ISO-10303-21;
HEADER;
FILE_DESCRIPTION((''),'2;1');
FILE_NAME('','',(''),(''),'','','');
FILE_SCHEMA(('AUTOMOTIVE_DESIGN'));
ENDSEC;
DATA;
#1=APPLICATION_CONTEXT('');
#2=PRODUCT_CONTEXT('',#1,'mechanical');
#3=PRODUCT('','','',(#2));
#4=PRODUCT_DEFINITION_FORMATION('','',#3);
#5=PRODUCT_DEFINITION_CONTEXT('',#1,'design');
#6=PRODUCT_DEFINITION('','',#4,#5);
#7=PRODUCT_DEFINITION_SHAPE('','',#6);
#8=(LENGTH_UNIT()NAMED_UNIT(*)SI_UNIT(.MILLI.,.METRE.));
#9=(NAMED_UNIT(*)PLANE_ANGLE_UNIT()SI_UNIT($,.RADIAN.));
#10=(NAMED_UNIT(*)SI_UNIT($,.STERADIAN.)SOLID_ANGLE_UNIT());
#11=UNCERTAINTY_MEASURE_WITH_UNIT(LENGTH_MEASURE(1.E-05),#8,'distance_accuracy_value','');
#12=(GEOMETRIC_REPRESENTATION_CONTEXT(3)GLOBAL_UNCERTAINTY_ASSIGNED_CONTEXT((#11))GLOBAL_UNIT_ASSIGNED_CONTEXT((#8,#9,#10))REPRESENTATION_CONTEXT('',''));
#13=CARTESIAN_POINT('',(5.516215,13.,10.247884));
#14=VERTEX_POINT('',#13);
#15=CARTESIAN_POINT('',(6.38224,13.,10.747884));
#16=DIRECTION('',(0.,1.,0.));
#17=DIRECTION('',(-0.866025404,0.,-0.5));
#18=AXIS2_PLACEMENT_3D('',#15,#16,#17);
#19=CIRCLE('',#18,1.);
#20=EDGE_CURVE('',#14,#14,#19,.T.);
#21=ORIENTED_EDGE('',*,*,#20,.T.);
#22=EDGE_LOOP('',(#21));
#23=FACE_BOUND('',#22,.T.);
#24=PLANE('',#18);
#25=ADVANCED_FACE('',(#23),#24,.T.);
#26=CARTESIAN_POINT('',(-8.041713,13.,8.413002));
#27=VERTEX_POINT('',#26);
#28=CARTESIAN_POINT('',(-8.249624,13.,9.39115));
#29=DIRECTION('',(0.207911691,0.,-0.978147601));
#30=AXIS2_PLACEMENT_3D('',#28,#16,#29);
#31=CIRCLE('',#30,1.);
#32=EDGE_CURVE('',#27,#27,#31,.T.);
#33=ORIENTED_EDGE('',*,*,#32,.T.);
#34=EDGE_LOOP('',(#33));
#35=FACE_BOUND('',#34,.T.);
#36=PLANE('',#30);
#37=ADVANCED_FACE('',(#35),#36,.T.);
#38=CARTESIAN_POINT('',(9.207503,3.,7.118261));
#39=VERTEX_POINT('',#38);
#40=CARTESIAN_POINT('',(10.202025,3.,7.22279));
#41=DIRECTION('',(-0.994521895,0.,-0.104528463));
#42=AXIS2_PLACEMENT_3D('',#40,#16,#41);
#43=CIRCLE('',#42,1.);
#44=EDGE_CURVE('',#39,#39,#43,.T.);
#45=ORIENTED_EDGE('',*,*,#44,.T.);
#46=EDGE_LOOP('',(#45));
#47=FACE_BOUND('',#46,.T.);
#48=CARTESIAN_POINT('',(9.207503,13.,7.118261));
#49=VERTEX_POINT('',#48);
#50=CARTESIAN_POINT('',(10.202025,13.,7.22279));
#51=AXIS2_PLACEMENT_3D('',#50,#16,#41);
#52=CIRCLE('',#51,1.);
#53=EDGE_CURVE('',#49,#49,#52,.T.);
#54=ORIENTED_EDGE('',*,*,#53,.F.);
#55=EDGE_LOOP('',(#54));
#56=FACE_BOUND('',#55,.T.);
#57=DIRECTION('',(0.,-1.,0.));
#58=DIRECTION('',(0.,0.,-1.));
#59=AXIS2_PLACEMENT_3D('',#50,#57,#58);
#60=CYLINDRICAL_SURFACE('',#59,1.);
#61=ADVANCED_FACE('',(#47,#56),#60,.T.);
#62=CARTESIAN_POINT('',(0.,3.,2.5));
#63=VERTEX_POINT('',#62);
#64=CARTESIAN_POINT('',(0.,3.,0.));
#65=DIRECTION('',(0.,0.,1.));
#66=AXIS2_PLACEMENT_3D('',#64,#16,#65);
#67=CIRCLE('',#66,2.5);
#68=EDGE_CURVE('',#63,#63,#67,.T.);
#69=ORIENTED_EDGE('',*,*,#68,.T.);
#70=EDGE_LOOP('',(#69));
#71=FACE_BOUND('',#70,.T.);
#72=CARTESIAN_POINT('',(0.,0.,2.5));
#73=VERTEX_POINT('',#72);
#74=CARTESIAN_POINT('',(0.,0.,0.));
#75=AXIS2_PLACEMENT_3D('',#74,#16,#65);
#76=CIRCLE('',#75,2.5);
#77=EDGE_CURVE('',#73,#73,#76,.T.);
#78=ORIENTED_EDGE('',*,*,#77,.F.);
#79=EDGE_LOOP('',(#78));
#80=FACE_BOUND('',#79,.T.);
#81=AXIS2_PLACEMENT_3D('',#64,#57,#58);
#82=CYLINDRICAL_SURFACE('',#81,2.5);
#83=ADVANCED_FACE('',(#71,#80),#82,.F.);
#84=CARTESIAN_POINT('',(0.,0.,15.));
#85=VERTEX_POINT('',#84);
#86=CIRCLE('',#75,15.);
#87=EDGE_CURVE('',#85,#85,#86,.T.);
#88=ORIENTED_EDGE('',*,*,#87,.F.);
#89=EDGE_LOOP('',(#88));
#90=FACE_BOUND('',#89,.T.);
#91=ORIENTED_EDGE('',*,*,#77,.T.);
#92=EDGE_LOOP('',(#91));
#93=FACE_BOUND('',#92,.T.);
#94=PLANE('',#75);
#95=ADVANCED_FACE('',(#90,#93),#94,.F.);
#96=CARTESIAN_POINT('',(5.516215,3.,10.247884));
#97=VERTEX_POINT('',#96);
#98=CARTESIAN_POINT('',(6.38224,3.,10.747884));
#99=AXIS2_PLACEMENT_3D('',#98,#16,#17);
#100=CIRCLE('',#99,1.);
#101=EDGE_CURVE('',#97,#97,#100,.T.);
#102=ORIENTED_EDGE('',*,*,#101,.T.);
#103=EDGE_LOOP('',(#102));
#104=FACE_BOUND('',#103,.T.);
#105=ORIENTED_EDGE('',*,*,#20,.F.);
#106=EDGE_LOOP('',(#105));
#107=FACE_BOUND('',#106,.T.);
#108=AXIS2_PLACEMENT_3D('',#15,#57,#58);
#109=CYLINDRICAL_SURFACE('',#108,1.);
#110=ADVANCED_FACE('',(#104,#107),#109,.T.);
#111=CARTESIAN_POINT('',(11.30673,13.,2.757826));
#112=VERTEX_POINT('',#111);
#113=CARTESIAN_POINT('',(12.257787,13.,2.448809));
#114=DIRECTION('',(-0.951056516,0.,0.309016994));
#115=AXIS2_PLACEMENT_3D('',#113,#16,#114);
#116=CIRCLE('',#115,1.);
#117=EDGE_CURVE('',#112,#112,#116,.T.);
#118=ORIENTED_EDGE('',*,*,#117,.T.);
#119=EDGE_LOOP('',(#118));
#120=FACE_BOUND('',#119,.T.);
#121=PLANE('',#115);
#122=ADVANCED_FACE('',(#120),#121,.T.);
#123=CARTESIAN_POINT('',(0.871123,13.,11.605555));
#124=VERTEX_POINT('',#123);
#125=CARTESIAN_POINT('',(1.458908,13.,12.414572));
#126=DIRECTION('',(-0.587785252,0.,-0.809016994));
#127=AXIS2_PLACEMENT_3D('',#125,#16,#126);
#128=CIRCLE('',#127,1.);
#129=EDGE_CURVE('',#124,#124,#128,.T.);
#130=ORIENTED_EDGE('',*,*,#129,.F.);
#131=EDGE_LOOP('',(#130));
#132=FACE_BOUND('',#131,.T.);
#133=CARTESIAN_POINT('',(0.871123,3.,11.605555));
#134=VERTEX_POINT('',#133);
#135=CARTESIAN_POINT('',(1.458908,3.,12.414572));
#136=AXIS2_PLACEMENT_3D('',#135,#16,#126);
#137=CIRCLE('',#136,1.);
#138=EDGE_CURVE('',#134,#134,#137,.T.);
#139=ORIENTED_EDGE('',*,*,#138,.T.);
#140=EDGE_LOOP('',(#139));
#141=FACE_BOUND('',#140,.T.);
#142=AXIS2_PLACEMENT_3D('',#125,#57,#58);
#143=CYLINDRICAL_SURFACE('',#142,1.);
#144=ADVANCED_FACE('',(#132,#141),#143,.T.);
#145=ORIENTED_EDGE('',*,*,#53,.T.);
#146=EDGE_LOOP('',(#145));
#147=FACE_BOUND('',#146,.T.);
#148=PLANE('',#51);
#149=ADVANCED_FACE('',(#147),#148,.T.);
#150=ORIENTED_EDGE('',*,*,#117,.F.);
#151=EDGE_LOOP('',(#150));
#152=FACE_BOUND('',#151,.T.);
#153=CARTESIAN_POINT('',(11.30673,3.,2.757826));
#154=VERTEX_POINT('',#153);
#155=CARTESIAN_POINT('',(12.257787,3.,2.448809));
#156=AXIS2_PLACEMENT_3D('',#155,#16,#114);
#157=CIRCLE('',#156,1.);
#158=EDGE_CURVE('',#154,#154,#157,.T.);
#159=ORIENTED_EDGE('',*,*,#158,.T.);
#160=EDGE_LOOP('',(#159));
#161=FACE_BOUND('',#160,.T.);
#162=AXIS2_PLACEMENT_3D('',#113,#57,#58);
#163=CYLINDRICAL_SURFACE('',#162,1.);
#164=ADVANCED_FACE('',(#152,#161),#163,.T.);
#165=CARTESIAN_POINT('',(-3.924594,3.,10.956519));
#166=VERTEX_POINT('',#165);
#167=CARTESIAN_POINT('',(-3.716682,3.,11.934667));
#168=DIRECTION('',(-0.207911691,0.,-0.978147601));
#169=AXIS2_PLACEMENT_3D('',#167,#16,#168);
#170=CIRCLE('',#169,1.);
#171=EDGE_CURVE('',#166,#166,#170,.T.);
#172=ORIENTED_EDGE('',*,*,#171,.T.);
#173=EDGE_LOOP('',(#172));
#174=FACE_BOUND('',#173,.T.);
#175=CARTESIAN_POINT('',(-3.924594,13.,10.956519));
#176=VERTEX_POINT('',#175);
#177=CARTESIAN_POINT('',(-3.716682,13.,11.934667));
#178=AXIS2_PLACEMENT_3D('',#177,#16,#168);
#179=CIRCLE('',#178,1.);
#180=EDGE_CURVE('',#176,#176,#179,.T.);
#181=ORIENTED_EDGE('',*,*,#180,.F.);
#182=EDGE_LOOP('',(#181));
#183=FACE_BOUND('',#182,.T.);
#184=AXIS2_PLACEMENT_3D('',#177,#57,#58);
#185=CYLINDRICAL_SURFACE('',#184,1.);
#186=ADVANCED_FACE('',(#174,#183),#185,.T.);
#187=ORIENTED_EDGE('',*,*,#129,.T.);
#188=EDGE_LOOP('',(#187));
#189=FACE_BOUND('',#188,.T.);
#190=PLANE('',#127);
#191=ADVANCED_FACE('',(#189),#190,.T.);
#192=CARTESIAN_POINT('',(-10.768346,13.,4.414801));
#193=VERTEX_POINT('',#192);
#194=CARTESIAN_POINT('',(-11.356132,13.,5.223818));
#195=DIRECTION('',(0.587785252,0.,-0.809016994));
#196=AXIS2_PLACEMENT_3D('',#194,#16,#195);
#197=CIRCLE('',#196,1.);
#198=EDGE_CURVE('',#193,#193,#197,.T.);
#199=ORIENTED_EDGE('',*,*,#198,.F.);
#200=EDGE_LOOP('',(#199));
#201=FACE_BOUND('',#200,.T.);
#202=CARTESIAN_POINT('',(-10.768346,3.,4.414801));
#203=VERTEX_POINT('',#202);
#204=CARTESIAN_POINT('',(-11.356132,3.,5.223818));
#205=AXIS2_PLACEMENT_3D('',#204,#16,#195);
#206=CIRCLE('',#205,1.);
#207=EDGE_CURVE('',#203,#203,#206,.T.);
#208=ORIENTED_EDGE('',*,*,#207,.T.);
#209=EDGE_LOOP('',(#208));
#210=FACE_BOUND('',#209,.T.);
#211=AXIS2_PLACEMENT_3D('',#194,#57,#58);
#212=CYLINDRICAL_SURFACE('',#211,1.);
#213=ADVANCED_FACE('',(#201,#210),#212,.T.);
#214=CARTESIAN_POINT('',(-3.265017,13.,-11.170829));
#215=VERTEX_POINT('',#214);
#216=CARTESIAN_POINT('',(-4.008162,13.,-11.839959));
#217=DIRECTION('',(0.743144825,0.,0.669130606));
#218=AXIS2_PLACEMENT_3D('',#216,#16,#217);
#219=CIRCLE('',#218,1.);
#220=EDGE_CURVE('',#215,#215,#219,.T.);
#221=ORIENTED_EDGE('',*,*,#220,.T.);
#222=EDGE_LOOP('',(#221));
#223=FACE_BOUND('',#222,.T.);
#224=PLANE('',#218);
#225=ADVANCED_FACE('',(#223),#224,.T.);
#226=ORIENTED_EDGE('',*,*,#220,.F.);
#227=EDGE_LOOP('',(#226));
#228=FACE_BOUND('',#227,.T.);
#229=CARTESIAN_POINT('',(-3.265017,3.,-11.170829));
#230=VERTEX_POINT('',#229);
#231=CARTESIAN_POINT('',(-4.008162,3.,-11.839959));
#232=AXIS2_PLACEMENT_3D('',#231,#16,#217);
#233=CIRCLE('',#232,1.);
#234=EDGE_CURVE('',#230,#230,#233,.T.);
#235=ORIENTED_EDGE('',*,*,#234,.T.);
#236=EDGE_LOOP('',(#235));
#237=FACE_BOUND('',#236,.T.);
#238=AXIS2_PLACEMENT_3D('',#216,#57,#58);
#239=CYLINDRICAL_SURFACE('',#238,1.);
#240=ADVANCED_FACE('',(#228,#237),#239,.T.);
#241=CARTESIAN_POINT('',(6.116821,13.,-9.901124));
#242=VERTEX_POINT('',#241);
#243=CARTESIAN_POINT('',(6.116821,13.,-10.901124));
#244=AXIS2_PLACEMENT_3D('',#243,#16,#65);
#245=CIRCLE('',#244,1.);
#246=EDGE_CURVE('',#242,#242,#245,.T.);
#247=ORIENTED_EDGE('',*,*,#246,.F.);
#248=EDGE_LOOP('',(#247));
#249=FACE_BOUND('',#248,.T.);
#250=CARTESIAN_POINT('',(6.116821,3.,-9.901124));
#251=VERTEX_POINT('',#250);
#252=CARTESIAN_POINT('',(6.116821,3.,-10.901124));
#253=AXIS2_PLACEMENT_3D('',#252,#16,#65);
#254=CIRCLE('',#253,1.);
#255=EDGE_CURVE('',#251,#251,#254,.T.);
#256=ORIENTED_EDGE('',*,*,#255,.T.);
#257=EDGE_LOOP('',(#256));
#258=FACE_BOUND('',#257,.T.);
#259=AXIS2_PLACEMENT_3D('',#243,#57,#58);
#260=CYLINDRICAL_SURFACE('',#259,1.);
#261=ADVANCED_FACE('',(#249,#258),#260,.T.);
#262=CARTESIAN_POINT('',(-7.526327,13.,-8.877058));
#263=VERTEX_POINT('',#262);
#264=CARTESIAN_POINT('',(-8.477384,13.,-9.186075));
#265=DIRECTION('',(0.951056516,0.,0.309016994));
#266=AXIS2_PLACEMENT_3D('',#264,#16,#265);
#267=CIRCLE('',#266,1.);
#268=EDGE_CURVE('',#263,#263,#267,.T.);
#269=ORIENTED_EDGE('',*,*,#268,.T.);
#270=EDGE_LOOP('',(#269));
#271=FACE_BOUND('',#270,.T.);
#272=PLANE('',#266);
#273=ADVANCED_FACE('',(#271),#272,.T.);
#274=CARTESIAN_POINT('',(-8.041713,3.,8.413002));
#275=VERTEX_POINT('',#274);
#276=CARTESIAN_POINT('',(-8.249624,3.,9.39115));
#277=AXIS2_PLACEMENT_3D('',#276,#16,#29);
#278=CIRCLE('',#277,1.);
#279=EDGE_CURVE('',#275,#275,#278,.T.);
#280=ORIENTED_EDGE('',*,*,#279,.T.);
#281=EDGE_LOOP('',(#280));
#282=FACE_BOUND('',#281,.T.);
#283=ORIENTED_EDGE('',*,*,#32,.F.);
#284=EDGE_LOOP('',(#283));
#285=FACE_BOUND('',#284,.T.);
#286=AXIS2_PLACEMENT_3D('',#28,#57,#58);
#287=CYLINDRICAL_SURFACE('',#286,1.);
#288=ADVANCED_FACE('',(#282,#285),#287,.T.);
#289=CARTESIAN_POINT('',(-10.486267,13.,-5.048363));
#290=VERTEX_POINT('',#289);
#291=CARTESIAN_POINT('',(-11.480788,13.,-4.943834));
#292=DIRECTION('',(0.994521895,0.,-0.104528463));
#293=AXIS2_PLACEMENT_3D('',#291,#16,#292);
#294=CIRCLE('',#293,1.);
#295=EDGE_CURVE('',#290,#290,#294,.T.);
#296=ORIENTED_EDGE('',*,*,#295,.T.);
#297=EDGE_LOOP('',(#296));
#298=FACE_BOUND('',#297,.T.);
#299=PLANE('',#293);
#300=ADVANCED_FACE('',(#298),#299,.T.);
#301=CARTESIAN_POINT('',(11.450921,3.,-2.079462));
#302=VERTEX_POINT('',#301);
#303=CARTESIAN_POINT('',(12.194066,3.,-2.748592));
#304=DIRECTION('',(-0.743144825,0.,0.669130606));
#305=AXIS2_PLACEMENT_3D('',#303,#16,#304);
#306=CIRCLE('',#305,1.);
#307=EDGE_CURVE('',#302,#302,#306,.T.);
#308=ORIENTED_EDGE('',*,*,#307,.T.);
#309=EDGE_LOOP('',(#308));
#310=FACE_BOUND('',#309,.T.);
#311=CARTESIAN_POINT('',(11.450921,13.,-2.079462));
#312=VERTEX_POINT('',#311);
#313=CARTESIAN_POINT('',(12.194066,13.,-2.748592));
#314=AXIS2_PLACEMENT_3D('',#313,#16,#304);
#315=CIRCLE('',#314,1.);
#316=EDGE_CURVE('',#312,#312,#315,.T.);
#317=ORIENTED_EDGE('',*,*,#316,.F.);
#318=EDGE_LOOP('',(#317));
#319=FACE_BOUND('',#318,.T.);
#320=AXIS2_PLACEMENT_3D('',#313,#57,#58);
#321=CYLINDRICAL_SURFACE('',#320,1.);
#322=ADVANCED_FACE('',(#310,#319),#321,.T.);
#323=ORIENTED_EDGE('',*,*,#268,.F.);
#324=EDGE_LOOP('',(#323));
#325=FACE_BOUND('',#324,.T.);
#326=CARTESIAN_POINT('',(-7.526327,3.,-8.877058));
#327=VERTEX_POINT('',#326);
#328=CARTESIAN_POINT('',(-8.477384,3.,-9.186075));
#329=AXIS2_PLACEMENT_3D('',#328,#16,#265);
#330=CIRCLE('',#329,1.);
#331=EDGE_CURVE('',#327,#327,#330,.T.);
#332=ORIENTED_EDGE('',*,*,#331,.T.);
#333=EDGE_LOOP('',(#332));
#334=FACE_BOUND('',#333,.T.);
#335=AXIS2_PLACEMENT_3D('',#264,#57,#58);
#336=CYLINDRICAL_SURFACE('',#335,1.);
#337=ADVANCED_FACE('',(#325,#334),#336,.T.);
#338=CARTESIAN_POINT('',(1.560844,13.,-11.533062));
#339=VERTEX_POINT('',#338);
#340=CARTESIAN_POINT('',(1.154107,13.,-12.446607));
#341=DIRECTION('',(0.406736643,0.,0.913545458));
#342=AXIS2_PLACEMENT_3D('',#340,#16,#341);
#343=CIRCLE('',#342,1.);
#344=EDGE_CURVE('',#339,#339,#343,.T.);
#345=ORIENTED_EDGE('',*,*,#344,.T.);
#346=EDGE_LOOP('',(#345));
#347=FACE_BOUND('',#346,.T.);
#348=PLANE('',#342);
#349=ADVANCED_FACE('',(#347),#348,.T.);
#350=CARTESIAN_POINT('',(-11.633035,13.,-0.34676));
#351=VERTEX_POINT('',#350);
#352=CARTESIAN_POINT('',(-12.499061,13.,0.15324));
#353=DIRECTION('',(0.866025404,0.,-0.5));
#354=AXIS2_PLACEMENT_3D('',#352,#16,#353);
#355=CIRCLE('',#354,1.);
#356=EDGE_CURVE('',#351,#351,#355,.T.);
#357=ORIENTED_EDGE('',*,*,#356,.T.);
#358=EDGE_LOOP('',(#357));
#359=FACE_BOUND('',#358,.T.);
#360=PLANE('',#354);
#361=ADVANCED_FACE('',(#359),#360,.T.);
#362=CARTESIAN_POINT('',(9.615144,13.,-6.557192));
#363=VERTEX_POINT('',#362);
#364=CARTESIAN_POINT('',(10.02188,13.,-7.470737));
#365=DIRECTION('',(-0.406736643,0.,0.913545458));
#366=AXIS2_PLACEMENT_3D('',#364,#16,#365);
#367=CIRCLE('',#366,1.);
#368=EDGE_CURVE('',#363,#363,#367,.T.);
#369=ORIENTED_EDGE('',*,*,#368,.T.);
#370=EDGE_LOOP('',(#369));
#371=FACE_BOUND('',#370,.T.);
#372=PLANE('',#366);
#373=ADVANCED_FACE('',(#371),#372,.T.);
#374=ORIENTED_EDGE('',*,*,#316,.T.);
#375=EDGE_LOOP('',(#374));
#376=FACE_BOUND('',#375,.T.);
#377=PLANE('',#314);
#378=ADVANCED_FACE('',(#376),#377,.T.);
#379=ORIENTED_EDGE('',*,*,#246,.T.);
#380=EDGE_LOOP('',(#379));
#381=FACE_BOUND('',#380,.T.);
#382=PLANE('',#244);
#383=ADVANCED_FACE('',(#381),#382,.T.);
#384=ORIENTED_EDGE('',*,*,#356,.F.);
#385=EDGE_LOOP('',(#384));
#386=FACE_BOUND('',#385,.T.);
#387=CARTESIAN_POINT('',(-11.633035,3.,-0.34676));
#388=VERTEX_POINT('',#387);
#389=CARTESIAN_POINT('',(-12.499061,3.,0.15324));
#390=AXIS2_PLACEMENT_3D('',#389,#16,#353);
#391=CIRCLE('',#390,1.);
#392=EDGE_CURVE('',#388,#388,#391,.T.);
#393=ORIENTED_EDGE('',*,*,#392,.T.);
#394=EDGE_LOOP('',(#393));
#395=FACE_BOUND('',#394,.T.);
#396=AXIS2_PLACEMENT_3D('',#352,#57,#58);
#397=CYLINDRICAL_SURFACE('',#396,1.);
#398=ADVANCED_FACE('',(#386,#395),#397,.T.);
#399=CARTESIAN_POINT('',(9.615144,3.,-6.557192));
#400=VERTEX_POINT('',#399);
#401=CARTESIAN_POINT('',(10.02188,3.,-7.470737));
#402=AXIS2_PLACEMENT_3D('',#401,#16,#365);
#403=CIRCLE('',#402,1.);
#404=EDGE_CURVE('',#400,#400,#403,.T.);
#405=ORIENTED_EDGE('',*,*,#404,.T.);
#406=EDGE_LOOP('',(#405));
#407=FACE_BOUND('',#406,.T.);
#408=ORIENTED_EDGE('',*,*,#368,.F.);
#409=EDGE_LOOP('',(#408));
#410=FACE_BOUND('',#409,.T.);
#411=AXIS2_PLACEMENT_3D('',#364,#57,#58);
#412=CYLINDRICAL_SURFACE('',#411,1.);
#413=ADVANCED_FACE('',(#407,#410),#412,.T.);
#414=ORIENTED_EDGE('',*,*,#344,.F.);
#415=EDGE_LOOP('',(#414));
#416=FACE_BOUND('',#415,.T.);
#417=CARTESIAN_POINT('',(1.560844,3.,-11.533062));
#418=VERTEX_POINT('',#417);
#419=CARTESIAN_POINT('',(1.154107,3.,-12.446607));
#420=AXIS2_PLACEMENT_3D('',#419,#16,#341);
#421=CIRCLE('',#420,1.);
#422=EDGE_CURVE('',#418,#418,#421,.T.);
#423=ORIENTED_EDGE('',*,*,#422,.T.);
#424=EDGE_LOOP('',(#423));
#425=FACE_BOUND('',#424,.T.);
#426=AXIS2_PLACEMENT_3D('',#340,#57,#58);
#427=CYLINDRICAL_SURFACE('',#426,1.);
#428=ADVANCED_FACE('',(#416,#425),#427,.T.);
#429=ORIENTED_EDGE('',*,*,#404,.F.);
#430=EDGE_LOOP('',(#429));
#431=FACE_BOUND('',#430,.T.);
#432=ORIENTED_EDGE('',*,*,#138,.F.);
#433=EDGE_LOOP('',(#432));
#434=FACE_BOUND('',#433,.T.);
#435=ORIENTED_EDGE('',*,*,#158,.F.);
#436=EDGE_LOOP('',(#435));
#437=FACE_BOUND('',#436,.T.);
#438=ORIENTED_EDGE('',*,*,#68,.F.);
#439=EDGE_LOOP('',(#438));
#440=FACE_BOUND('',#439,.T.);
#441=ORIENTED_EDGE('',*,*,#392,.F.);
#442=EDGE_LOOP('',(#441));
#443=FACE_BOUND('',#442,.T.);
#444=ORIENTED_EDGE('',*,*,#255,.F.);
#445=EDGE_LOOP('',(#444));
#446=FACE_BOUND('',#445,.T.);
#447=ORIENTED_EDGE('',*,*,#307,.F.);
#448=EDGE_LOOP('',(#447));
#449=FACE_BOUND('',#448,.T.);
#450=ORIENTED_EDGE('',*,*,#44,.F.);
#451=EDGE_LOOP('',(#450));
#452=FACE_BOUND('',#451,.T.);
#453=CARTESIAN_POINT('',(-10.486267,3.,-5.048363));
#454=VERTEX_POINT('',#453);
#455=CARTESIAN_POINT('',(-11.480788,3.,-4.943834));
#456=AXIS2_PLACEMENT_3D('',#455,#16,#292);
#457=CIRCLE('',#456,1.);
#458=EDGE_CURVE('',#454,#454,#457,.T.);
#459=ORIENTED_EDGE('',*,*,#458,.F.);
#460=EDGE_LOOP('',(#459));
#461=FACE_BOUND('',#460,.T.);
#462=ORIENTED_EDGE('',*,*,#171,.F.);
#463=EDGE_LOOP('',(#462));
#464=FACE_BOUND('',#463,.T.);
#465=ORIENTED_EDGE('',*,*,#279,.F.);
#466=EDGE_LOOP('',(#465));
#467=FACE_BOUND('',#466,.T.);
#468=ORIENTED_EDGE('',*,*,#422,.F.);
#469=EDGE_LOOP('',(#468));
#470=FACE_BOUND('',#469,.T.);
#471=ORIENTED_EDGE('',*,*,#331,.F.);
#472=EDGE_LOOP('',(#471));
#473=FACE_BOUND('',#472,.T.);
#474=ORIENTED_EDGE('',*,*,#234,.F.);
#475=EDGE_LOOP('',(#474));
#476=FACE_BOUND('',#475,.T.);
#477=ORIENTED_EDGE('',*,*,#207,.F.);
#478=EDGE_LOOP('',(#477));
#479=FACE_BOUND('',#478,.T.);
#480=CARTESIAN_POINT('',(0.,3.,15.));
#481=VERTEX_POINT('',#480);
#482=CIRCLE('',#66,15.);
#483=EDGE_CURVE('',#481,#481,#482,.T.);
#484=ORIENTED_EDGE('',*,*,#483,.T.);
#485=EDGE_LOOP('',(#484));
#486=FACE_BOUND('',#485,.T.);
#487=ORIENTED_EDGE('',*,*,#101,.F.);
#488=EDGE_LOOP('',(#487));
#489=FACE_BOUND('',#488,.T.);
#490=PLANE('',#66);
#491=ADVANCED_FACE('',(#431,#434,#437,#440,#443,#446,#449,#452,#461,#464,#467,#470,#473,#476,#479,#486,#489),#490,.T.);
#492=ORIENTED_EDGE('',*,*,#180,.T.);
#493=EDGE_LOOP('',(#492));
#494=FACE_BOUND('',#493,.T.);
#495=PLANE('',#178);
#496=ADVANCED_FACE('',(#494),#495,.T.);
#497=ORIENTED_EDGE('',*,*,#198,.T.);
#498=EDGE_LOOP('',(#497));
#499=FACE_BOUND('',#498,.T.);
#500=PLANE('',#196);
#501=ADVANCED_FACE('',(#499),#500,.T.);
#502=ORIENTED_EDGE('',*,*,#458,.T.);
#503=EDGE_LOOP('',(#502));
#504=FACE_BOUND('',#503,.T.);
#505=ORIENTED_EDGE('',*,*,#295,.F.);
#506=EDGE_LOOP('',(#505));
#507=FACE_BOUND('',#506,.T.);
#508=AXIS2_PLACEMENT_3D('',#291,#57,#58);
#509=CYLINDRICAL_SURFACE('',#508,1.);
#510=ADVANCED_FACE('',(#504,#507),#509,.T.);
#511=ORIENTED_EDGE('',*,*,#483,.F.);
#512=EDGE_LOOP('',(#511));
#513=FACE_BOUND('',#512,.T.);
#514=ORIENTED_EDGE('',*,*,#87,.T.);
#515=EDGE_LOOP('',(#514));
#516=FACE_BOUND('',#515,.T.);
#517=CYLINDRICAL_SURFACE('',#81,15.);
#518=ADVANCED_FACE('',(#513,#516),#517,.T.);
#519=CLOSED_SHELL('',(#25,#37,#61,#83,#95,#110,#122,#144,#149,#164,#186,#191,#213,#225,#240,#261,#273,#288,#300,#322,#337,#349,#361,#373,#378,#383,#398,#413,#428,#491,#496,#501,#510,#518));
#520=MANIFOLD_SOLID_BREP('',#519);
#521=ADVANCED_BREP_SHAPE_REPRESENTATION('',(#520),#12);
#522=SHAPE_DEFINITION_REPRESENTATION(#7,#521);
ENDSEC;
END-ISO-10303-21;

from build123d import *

# Parameters (mm, degrees)
SKETCH_1_R               = 15
SKETCH_1_R_2             = 2.5
EXTRUDE_1_DEPTH          = 3
SKETCH_2_R               = 1
EXTRUDE_2_DEPTH          = 10
PATTERN_CIRCULAR_1_COUNT = 15


with BuildPart() as part:
    # 草圖1 → 填料-伸長1 (new body)
    with BuildSketch(Plane(origin=(0, 0, 0), x_dir=(1, 0, 0), z_dir=(0, 1, 0))):
        with Locations(Location((0, 0, 0), (0, 0, 270))):
            Circle(SKETCH_1_R)
        with Locations(Location((0, 0, 0), (0, 0, 270))):
            Circle(SKETCH_1_R_2, mode=Mode.SUBTRACT)
    extrude(amount=EXTRUDE_1_DEPTH)

    # 草圖2 → 填料-伸長2 (add)
    with BuildSketch(Plane(origin=(0, 3, 0), x_dir=(1, 0, 0), z_dir=(0, 1, 0))):
        with Locations(Location((6.116820543, 10.901124091, 0), (0, 0, 270))):
            Circle(SKETCH_2_R)
    extrude_2 = extrude(amount=EXTRUDE_2_DEPTH)

    # 環狀複製排列1: 填料-伸長2 ×15 about axis
    pattern_circular_1_axis = Axis((0, 0, 0), (0, 1, 0))
    for i in range(1, PATTERN_CIRCULAR_1_COUNT):
        add(extrude_2.rotate(pattern_circular_1_axis, i * 360 / PATTERN_CIRCULAR_1_COUNT))


solid = part.part
